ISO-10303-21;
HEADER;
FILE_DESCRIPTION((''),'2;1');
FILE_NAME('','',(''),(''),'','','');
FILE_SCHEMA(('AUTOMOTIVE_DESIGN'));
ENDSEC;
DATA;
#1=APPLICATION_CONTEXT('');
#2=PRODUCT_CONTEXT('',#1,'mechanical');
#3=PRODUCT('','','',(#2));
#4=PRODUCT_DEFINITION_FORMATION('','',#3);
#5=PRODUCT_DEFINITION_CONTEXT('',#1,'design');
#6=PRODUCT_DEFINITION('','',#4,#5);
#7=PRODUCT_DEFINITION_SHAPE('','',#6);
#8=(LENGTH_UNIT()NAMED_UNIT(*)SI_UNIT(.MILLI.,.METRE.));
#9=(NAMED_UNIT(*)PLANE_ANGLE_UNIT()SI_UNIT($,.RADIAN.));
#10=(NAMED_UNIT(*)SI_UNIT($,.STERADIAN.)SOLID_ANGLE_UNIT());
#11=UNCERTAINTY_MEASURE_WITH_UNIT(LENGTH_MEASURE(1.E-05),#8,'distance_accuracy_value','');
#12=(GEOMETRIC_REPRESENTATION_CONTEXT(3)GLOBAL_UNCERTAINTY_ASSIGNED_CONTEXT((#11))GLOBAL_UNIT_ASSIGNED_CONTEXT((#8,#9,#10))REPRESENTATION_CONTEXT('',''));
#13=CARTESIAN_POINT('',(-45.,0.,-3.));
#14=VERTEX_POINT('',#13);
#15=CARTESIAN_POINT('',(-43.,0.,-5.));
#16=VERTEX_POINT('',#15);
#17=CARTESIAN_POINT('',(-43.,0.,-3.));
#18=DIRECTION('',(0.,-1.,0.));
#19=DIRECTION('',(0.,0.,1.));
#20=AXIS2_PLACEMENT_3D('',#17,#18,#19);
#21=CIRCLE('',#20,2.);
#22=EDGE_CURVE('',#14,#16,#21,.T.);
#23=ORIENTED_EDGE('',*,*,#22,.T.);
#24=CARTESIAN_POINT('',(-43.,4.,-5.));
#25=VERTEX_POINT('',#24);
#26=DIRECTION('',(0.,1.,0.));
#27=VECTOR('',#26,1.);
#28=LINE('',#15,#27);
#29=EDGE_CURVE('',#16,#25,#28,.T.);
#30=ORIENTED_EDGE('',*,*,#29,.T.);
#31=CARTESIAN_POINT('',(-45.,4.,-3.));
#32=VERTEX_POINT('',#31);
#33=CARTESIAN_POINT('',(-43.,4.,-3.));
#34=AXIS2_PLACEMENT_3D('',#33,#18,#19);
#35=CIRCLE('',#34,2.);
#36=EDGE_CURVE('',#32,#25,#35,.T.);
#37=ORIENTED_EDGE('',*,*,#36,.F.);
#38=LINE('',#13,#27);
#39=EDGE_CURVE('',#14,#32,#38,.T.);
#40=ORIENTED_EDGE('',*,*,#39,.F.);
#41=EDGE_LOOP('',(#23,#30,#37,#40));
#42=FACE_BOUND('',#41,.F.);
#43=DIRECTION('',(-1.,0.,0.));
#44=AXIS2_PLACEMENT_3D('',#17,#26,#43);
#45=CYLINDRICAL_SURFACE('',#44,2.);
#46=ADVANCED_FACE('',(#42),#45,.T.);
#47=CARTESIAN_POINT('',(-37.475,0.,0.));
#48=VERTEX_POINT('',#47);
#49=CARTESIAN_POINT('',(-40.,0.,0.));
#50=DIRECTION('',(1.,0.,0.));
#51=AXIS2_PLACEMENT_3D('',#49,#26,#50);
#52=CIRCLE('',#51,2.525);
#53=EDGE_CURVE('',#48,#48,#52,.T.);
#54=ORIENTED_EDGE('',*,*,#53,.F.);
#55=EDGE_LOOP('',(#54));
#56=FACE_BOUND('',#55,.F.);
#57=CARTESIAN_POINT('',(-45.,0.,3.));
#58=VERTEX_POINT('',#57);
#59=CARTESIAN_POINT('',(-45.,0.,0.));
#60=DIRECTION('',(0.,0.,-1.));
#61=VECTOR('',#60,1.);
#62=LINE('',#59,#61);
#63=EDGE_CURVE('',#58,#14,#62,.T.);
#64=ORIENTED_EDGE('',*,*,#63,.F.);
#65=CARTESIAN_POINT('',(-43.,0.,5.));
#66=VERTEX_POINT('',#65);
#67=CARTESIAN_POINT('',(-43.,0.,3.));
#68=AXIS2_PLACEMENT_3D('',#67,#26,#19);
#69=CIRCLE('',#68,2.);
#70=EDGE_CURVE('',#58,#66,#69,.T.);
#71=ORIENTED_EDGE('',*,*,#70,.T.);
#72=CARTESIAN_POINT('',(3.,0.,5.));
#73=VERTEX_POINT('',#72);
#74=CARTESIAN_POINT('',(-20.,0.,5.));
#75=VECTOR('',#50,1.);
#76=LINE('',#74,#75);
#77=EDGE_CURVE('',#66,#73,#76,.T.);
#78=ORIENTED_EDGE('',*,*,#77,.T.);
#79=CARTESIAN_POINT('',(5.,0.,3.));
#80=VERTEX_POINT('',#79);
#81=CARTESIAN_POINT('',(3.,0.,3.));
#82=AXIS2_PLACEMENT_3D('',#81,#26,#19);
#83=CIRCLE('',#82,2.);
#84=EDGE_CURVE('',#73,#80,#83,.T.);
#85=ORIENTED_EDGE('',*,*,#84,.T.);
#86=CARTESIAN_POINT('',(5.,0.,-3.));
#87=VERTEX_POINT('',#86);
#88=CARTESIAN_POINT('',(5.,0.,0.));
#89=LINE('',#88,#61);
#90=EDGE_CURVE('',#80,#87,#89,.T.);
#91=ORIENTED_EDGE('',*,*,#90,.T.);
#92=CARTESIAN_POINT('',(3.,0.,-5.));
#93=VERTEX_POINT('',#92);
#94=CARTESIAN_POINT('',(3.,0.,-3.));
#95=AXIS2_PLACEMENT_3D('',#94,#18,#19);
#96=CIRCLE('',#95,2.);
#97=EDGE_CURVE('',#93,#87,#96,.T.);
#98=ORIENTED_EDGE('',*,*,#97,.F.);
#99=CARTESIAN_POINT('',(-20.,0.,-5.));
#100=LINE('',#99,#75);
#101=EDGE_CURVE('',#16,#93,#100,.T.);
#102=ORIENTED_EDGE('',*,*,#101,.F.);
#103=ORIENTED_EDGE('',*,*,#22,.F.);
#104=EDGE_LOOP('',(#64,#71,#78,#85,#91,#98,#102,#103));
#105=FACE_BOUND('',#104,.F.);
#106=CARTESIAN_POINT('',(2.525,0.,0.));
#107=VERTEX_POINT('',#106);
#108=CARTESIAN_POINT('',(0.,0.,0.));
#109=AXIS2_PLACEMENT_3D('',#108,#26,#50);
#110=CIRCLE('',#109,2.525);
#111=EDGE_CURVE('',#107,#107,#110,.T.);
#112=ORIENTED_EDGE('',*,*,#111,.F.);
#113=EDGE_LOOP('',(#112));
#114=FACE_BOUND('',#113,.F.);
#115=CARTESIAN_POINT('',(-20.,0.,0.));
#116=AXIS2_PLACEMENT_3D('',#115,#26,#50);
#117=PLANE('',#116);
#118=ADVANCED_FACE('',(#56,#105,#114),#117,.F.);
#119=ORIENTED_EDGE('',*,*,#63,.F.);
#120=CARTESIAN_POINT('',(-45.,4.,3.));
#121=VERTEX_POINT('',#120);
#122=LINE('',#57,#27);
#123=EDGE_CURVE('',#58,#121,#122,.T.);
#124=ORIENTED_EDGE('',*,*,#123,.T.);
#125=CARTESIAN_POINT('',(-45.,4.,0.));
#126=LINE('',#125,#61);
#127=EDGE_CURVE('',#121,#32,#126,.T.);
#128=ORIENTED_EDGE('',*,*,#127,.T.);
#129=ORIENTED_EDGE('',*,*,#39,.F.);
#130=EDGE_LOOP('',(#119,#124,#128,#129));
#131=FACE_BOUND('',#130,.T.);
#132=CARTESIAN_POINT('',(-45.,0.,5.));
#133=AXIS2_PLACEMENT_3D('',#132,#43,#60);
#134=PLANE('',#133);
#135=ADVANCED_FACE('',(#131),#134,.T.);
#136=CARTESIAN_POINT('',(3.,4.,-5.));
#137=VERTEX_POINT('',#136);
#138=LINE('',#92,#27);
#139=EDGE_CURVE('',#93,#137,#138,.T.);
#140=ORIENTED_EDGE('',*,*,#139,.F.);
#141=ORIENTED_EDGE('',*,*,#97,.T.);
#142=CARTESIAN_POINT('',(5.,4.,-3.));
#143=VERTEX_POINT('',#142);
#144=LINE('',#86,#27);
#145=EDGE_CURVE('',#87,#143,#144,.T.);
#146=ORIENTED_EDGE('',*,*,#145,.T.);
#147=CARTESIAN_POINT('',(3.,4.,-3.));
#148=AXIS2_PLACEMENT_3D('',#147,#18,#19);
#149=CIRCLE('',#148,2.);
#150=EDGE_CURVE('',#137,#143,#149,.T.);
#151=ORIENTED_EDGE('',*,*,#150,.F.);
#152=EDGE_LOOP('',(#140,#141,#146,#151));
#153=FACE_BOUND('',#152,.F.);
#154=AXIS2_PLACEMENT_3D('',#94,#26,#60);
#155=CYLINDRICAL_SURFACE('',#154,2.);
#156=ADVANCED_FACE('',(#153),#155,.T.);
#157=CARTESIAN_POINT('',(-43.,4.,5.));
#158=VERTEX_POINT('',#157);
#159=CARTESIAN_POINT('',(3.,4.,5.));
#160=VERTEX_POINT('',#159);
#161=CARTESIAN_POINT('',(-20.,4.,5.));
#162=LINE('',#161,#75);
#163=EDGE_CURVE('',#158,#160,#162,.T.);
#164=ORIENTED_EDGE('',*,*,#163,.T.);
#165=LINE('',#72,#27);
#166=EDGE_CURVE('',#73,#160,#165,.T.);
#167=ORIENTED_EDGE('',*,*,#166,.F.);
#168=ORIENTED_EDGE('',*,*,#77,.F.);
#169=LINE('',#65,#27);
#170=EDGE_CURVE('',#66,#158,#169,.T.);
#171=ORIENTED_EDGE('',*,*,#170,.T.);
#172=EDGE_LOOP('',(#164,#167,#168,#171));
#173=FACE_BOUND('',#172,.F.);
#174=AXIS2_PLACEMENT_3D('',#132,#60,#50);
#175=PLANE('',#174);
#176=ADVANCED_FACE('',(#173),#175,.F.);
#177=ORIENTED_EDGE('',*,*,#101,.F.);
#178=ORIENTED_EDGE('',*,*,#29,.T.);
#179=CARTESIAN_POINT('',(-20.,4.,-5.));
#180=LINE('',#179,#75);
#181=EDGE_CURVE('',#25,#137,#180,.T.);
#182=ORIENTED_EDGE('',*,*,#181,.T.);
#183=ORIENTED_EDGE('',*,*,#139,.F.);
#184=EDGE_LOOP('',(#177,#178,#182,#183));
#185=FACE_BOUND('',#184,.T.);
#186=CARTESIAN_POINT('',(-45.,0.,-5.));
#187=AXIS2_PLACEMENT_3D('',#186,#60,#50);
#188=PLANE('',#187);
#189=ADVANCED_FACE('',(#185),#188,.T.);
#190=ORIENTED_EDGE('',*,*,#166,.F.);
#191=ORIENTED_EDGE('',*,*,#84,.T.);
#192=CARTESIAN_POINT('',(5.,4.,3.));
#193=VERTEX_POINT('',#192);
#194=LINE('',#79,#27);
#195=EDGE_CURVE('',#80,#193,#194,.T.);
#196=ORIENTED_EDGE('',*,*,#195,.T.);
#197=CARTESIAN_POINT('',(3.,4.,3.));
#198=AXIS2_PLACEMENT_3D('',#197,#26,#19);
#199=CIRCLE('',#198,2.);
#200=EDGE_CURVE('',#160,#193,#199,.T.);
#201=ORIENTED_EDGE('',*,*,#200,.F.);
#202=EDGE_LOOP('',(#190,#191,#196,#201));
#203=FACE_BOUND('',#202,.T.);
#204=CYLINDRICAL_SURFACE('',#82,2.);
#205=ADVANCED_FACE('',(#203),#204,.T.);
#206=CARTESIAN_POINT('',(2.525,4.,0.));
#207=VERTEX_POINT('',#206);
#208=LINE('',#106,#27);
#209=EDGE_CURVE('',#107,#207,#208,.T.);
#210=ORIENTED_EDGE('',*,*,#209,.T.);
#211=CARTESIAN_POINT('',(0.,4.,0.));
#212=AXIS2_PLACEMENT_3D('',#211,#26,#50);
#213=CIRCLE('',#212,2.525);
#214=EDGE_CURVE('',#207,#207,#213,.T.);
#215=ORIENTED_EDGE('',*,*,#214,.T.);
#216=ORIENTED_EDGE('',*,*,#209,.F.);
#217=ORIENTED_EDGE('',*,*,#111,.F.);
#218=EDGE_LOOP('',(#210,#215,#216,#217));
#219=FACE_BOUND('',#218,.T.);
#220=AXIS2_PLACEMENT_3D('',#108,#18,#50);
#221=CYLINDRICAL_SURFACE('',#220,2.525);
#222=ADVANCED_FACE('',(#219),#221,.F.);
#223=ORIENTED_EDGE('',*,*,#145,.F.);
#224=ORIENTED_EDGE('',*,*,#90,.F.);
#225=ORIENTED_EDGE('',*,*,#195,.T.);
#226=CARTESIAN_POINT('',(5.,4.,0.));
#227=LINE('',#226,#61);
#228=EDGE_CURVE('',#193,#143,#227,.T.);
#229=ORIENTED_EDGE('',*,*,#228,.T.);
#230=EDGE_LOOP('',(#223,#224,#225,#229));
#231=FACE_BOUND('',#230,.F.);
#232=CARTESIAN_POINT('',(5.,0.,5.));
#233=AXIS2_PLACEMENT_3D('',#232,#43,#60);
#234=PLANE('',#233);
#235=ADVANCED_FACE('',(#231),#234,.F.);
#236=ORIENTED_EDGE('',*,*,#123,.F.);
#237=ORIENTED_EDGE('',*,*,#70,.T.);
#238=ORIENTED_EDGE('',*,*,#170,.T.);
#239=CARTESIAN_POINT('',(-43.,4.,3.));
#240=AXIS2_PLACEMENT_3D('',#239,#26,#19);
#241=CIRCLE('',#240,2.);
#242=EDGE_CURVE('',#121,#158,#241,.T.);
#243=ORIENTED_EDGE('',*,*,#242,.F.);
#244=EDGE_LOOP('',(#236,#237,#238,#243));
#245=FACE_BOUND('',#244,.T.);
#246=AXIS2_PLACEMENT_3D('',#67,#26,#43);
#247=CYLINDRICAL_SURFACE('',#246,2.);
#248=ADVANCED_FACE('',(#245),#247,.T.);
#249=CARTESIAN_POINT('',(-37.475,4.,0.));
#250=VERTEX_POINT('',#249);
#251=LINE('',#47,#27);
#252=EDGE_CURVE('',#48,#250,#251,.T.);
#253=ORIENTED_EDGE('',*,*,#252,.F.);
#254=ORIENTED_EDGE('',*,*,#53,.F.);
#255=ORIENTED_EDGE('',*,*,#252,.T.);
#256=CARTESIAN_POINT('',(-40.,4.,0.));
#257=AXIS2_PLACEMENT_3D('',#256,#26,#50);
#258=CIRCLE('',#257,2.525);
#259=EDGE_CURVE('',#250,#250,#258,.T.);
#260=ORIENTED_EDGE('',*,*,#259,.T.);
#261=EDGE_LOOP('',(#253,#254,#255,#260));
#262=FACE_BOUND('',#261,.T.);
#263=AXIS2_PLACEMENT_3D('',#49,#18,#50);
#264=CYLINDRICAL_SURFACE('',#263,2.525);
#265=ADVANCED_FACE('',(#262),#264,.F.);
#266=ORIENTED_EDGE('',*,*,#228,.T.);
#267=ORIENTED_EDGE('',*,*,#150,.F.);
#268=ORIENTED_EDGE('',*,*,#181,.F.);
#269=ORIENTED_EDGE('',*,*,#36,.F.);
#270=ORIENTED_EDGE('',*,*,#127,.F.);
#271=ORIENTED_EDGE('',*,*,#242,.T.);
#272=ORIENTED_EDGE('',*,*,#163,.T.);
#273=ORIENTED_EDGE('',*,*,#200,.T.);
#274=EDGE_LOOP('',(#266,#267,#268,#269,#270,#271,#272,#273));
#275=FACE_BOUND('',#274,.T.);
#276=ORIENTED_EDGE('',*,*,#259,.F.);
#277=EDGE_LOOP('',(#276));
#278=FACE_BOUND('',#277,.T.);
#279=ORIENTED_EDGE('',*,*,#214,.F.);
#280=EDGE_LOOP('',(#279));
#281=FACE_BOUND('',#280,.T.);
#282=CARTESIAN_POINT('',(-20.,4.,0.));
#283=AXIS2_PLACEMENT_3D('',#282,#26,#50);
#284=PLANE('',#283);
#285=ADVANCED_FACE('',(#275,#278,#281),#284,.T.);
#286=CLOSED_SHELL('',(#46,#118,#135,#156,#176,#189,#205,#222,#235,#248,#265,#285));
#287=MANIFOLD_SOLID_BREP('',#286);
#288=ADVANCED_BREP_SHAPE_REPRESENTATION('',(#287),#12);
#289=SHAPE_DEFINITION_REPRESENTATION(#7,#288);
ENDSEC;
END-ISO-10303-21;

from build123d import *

# Parameters (mm, degrees)
SKETCH_1_W      = 50
SKETCH_1_H      = 10
SKETCH_1_R      = 2.525
EXTRUDE_1_DEPTH = 4
FILLET_1_R      = 2


with BuildPart() as part:
    # 草图1 → 凸台-拉伸1 (new body)
    with BuildSketch(Plane(origin=(0, 0, 0), x_dir=(1, 0, 0), z_dir=(0, 1, 0))):
        with Locations((-20, 0)):
            Rectangle(SKETCH_1_W, SKETCH_1_H)
        Circle(SKETCH_1_R, mode=Mode.SUBTRACT)
        with Locations((-40, 0)):
            Circle(SKETCH_1_R, mode=Mode.SUBTRACT)
    extrude(amount=EXTRUDE_1_DEPTH)

    # 圆角1
    fillet_1_edges = [part.edges().sort_by_distance(p)[0] for p in [
        (-45, 2, -5),
        (5, 2, -5),
        (5, 2, 5),
        (-45, 2, 5),
    ]]
    fillet(fillet_1_edges, radius=FILLET_1_R)


solid = part.part
